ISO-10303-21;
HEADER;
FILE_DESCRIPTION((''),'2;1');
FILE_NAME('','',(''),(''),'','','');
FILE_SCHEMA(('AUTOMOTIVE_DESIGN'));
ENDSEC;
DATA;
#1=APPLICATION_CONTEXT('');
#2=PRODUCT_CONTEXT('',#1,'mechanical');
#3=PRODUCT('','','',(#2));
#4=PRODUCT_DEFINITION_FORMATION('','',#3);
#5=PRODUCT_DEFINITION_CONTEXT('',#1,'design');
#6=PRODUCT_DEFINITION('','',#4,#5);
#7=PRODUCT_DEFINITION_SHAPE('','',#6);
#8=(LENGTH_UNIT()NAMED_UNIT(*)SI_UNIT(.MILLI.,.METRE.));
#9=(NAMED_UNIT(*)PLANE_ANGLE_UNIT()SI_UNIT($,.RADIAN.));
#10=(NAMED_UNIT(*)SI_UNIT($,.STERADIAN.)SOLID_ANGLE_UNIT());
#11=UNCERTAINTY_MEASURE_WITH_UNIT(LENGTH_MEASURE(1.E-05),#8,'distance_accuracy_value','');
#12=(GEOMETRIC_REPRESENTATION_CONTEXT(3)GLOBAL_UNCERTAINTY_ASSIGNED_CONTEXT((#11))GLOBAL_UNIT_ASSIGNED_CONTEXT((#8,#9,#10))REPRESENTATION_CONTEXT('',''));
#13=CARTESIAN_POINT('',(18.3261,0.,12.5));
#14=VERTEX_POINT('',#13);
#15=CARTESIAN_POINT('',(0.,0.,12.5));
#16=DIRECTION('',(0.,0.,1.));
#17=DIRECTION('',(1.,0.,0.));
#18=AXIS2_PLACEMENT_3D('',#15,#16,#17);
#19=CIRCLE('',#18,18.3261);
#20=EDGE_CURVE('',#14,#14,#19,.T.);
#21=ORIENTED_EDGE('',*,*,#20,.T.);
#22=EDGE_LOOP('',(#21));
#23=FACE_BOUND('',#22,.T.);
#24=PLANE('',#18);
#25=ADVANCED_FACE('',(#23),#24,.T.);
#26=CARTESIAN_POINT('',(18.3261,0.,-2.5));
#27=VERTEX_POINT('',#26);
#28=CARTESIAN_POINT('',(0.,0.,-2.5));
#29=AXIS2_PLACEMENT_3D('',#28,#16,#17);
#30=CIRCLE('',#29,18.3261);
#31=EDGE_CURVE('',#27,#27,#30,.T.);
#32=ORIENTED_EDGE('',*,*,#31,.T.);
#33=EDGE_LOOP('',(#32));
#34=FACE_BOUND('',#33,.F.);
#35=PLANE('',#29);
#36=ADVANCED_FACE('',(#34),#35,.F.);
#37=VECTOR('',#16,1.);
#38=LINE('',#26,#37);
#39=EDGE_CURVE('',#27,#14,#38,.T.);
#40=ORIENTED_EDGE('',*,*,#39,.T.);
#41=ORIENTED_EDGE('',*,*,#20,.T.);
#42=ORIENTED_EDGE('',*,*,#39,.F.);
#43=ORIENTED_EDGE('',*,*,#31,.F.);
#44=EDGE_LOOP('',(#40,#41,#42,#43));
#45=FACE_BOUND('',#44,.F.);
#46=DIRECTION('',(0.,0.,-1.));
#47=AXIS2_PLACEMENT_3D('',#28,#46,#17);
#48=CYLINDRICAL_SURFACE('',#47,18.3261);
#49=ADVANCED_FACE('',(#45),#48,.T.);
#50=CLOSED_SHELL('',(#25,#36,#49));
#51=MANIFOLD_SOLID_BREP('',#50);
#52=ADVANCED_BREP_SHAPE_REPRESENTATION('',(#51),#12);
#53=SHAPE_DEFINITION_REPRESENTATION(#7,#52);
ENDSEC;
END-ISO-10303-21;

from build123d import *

# Parameters (mm, degrees)
CYLINDER_R     = 18.3261
CYLINDER_DEPTH = 15


with BuildPart() as part:
    # Cylinder → Cylinder (new body)
    with BuildSketch(Plane.XY.offset(-2.5)):
        Circle(CYLINDER_R)
    extrude(amount=CYLINDER_DEPTH)


solid = part.part
